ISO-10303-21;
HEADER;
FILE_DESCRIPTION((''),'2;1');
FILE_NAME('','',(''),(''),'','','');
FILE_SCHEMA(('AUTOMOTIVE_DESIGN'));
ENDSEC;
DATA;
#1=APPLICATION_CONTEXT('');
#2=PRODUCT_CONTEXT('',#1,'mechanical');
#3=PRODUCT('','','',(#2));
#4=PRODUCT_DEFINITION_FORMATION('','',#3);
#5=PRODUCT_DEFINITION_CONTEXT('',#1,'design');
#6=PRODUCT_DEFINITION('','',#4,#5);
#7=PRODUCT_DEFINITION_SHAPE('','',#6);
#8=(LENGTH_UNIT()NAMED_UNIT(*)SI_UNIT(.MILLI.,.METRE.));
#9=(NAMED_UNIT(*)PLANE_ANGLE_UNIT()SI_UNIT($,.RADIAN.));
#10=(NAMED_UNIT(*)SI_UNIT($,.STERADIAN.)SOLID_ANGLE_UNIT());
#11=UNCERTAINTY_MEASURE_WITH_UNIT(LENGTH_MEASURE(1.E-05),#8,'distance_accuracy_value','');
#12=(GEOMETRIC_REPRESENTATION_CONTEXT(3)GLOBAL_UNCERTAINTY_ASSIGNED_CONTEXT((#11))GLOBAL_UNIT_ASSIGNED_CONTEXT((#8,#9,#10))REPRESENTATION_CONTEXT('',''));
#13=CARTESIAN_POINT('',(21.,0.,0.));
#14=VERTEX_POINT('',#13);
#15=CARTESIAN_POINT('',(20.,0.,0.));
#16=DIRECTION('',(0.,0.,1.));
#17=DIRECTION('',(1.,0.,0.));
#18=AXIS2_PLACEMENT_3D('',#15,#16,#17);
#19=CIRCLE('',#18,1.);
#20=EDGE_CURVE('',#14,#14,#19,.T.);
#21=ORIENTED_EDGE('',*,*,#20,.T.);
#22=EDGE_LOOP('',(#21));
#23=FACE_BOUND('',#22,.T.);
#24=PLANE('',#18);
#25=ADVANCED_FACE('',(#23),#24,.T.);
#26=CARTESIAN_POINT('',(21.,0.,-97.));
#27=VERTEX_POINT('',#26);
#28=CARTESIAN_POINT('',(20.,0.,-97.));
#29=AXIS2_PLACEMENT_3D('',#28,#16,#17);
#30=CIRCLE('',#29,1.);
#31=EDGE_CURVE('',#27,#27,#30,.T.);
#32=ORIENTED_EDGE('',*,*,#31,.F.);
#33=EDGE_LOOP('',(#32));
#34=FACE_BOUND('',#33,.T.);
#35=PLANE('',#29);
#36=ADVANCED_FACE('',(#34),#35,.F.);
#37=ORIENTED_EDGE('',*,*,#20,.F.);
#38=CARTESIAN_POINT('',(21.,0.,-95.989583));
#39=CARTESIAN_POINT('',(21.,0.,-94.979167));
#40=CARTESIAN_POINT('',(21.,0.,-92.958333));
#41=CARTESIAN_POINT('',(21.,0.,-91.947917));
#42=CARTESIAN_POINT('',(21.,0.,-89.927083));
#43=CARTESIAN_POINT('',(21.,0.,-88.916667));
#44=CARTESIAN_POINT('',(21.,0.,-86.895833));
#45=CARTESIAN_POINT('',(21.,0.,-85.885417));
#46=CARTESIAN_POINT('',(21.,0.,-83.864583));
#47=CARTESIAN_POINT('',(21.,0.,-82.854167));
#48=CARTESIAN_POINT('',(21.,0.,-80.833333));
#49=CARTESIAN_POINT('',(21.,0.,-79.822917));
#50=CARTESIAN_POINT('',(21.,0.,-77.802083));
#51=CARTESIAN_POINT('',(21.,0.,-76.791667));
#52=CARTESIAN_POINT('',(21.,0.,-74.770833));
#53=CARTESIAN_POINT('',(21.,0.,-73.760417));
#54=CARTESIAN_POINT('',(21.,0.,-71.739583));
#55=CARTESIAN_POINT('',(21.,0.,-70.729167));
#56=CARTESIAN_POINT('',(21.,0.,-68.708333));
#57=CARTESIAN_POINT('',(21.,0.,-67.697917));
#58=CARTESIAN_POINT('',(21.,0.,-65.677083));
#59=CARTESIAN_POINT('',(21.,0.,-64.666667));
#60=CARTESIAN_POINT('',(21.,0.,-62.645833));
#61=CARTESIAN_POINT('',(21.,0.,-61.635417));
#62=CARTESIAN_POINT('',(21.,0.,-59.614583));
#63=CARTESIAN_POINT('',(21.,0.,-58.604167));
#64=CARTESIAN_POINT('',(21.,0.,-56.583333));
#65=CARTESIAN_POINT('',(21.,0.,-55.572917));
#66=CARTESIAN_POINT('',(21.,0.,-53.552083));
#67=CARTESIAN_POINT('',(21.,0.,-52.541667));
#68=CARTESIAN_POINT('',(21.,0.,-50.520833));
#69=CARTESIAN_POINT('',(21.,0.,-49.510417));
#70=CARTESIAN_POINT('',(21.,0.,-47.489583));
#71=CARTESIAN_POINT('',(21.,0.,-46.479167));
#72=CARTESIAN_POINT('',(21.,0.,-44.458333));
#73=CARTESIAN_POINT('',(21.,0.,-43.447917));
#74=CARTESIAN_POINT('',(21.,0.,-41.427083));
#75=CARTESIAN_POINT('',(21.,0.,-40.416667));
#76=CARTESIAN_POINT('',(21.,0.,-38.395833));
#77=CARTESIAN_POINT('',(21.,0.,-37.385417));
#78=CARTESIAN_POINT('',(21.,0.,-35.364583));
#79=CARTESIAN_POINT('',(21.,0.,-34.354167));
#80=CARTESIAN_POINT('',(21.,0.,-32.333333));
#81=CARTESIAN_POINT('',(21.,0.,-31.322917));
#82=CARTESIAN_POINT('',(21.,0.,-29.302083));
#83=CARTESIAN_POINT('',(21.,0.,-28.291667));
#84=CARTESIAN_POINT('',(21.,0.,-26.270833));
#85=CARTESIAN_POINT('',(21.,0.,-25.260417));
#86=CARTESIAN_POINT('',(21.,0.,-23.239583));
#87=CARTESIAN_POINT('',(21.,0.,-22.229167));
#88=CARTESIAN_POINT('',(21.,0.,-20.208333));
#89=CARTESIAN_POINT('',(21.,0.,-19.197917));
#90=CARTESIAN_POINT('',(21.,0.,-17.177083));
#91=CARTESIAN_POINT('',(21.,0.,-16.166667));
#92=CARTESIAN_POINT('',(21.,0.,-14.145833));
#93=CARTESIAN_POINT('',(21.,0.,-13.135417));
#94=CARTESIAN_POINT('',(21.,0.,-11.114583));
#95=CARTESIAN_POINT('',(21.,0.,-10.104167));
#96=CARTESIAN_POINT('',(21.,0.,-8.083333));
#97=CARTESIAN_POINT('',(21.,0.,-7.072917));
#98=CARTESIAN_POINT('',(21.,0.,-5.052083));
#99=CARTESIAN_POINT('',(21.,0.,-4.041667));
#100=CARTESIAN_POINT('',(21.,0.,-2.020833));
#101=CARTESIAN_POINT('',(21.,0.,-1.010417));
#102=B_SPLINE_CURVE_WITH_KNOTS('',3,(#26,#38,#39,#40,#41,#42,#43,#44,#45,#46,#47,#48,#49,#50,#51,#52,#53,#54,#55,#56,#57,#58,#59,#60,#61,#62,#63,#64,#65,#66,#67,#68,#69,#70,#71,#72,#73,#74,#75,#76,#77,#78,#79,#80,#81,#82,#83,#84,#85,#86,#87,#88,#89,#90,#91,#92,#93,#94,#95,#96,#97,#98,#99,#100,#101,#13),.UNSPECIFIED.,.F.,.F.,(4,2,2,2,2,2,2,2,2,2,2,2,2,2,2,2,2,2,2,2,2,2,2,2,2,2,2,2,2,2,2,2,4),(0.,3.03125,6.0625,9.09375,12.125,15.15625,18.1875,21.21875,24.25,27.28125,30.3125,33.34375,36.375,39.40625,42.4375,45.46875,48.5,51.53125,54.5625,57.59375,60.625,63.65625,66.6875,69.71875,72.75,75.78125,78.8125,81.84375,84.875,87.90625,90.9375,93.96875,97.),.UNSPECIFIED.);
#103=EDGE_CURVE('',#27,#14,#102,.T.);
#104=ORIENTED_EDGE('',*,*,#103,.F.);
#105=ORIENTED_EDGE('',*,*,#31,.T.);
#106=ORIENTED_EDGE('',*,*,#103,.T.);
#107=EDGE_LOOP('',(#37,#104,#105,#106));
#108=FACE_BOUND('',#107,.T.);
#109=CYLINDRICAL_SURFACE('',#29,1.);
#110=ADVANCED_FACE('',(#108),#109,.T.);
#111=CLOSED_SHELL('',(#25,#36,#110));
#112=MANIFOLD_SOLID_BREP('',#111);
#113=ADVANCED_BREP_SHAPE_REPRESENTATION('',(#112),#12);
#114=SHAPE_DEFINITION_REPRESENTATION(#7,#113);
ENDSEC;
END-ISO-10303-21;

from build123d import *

# Parameters (mm, degrees)
SKETCH1_R           = 1
BOSS_EXTRUDE1_DEPTH = 97


with BuildPart() as part:
    # Sketch1 → Boss-Extrude1 (new body)
    with BuildSketch(Plane.XY):
        with Locations((20, 0)):
            Circle(SKETCH1_R)
    extrude(amount=-BOSS_EXTRUDE1_DEPTH)


solid = part.part
